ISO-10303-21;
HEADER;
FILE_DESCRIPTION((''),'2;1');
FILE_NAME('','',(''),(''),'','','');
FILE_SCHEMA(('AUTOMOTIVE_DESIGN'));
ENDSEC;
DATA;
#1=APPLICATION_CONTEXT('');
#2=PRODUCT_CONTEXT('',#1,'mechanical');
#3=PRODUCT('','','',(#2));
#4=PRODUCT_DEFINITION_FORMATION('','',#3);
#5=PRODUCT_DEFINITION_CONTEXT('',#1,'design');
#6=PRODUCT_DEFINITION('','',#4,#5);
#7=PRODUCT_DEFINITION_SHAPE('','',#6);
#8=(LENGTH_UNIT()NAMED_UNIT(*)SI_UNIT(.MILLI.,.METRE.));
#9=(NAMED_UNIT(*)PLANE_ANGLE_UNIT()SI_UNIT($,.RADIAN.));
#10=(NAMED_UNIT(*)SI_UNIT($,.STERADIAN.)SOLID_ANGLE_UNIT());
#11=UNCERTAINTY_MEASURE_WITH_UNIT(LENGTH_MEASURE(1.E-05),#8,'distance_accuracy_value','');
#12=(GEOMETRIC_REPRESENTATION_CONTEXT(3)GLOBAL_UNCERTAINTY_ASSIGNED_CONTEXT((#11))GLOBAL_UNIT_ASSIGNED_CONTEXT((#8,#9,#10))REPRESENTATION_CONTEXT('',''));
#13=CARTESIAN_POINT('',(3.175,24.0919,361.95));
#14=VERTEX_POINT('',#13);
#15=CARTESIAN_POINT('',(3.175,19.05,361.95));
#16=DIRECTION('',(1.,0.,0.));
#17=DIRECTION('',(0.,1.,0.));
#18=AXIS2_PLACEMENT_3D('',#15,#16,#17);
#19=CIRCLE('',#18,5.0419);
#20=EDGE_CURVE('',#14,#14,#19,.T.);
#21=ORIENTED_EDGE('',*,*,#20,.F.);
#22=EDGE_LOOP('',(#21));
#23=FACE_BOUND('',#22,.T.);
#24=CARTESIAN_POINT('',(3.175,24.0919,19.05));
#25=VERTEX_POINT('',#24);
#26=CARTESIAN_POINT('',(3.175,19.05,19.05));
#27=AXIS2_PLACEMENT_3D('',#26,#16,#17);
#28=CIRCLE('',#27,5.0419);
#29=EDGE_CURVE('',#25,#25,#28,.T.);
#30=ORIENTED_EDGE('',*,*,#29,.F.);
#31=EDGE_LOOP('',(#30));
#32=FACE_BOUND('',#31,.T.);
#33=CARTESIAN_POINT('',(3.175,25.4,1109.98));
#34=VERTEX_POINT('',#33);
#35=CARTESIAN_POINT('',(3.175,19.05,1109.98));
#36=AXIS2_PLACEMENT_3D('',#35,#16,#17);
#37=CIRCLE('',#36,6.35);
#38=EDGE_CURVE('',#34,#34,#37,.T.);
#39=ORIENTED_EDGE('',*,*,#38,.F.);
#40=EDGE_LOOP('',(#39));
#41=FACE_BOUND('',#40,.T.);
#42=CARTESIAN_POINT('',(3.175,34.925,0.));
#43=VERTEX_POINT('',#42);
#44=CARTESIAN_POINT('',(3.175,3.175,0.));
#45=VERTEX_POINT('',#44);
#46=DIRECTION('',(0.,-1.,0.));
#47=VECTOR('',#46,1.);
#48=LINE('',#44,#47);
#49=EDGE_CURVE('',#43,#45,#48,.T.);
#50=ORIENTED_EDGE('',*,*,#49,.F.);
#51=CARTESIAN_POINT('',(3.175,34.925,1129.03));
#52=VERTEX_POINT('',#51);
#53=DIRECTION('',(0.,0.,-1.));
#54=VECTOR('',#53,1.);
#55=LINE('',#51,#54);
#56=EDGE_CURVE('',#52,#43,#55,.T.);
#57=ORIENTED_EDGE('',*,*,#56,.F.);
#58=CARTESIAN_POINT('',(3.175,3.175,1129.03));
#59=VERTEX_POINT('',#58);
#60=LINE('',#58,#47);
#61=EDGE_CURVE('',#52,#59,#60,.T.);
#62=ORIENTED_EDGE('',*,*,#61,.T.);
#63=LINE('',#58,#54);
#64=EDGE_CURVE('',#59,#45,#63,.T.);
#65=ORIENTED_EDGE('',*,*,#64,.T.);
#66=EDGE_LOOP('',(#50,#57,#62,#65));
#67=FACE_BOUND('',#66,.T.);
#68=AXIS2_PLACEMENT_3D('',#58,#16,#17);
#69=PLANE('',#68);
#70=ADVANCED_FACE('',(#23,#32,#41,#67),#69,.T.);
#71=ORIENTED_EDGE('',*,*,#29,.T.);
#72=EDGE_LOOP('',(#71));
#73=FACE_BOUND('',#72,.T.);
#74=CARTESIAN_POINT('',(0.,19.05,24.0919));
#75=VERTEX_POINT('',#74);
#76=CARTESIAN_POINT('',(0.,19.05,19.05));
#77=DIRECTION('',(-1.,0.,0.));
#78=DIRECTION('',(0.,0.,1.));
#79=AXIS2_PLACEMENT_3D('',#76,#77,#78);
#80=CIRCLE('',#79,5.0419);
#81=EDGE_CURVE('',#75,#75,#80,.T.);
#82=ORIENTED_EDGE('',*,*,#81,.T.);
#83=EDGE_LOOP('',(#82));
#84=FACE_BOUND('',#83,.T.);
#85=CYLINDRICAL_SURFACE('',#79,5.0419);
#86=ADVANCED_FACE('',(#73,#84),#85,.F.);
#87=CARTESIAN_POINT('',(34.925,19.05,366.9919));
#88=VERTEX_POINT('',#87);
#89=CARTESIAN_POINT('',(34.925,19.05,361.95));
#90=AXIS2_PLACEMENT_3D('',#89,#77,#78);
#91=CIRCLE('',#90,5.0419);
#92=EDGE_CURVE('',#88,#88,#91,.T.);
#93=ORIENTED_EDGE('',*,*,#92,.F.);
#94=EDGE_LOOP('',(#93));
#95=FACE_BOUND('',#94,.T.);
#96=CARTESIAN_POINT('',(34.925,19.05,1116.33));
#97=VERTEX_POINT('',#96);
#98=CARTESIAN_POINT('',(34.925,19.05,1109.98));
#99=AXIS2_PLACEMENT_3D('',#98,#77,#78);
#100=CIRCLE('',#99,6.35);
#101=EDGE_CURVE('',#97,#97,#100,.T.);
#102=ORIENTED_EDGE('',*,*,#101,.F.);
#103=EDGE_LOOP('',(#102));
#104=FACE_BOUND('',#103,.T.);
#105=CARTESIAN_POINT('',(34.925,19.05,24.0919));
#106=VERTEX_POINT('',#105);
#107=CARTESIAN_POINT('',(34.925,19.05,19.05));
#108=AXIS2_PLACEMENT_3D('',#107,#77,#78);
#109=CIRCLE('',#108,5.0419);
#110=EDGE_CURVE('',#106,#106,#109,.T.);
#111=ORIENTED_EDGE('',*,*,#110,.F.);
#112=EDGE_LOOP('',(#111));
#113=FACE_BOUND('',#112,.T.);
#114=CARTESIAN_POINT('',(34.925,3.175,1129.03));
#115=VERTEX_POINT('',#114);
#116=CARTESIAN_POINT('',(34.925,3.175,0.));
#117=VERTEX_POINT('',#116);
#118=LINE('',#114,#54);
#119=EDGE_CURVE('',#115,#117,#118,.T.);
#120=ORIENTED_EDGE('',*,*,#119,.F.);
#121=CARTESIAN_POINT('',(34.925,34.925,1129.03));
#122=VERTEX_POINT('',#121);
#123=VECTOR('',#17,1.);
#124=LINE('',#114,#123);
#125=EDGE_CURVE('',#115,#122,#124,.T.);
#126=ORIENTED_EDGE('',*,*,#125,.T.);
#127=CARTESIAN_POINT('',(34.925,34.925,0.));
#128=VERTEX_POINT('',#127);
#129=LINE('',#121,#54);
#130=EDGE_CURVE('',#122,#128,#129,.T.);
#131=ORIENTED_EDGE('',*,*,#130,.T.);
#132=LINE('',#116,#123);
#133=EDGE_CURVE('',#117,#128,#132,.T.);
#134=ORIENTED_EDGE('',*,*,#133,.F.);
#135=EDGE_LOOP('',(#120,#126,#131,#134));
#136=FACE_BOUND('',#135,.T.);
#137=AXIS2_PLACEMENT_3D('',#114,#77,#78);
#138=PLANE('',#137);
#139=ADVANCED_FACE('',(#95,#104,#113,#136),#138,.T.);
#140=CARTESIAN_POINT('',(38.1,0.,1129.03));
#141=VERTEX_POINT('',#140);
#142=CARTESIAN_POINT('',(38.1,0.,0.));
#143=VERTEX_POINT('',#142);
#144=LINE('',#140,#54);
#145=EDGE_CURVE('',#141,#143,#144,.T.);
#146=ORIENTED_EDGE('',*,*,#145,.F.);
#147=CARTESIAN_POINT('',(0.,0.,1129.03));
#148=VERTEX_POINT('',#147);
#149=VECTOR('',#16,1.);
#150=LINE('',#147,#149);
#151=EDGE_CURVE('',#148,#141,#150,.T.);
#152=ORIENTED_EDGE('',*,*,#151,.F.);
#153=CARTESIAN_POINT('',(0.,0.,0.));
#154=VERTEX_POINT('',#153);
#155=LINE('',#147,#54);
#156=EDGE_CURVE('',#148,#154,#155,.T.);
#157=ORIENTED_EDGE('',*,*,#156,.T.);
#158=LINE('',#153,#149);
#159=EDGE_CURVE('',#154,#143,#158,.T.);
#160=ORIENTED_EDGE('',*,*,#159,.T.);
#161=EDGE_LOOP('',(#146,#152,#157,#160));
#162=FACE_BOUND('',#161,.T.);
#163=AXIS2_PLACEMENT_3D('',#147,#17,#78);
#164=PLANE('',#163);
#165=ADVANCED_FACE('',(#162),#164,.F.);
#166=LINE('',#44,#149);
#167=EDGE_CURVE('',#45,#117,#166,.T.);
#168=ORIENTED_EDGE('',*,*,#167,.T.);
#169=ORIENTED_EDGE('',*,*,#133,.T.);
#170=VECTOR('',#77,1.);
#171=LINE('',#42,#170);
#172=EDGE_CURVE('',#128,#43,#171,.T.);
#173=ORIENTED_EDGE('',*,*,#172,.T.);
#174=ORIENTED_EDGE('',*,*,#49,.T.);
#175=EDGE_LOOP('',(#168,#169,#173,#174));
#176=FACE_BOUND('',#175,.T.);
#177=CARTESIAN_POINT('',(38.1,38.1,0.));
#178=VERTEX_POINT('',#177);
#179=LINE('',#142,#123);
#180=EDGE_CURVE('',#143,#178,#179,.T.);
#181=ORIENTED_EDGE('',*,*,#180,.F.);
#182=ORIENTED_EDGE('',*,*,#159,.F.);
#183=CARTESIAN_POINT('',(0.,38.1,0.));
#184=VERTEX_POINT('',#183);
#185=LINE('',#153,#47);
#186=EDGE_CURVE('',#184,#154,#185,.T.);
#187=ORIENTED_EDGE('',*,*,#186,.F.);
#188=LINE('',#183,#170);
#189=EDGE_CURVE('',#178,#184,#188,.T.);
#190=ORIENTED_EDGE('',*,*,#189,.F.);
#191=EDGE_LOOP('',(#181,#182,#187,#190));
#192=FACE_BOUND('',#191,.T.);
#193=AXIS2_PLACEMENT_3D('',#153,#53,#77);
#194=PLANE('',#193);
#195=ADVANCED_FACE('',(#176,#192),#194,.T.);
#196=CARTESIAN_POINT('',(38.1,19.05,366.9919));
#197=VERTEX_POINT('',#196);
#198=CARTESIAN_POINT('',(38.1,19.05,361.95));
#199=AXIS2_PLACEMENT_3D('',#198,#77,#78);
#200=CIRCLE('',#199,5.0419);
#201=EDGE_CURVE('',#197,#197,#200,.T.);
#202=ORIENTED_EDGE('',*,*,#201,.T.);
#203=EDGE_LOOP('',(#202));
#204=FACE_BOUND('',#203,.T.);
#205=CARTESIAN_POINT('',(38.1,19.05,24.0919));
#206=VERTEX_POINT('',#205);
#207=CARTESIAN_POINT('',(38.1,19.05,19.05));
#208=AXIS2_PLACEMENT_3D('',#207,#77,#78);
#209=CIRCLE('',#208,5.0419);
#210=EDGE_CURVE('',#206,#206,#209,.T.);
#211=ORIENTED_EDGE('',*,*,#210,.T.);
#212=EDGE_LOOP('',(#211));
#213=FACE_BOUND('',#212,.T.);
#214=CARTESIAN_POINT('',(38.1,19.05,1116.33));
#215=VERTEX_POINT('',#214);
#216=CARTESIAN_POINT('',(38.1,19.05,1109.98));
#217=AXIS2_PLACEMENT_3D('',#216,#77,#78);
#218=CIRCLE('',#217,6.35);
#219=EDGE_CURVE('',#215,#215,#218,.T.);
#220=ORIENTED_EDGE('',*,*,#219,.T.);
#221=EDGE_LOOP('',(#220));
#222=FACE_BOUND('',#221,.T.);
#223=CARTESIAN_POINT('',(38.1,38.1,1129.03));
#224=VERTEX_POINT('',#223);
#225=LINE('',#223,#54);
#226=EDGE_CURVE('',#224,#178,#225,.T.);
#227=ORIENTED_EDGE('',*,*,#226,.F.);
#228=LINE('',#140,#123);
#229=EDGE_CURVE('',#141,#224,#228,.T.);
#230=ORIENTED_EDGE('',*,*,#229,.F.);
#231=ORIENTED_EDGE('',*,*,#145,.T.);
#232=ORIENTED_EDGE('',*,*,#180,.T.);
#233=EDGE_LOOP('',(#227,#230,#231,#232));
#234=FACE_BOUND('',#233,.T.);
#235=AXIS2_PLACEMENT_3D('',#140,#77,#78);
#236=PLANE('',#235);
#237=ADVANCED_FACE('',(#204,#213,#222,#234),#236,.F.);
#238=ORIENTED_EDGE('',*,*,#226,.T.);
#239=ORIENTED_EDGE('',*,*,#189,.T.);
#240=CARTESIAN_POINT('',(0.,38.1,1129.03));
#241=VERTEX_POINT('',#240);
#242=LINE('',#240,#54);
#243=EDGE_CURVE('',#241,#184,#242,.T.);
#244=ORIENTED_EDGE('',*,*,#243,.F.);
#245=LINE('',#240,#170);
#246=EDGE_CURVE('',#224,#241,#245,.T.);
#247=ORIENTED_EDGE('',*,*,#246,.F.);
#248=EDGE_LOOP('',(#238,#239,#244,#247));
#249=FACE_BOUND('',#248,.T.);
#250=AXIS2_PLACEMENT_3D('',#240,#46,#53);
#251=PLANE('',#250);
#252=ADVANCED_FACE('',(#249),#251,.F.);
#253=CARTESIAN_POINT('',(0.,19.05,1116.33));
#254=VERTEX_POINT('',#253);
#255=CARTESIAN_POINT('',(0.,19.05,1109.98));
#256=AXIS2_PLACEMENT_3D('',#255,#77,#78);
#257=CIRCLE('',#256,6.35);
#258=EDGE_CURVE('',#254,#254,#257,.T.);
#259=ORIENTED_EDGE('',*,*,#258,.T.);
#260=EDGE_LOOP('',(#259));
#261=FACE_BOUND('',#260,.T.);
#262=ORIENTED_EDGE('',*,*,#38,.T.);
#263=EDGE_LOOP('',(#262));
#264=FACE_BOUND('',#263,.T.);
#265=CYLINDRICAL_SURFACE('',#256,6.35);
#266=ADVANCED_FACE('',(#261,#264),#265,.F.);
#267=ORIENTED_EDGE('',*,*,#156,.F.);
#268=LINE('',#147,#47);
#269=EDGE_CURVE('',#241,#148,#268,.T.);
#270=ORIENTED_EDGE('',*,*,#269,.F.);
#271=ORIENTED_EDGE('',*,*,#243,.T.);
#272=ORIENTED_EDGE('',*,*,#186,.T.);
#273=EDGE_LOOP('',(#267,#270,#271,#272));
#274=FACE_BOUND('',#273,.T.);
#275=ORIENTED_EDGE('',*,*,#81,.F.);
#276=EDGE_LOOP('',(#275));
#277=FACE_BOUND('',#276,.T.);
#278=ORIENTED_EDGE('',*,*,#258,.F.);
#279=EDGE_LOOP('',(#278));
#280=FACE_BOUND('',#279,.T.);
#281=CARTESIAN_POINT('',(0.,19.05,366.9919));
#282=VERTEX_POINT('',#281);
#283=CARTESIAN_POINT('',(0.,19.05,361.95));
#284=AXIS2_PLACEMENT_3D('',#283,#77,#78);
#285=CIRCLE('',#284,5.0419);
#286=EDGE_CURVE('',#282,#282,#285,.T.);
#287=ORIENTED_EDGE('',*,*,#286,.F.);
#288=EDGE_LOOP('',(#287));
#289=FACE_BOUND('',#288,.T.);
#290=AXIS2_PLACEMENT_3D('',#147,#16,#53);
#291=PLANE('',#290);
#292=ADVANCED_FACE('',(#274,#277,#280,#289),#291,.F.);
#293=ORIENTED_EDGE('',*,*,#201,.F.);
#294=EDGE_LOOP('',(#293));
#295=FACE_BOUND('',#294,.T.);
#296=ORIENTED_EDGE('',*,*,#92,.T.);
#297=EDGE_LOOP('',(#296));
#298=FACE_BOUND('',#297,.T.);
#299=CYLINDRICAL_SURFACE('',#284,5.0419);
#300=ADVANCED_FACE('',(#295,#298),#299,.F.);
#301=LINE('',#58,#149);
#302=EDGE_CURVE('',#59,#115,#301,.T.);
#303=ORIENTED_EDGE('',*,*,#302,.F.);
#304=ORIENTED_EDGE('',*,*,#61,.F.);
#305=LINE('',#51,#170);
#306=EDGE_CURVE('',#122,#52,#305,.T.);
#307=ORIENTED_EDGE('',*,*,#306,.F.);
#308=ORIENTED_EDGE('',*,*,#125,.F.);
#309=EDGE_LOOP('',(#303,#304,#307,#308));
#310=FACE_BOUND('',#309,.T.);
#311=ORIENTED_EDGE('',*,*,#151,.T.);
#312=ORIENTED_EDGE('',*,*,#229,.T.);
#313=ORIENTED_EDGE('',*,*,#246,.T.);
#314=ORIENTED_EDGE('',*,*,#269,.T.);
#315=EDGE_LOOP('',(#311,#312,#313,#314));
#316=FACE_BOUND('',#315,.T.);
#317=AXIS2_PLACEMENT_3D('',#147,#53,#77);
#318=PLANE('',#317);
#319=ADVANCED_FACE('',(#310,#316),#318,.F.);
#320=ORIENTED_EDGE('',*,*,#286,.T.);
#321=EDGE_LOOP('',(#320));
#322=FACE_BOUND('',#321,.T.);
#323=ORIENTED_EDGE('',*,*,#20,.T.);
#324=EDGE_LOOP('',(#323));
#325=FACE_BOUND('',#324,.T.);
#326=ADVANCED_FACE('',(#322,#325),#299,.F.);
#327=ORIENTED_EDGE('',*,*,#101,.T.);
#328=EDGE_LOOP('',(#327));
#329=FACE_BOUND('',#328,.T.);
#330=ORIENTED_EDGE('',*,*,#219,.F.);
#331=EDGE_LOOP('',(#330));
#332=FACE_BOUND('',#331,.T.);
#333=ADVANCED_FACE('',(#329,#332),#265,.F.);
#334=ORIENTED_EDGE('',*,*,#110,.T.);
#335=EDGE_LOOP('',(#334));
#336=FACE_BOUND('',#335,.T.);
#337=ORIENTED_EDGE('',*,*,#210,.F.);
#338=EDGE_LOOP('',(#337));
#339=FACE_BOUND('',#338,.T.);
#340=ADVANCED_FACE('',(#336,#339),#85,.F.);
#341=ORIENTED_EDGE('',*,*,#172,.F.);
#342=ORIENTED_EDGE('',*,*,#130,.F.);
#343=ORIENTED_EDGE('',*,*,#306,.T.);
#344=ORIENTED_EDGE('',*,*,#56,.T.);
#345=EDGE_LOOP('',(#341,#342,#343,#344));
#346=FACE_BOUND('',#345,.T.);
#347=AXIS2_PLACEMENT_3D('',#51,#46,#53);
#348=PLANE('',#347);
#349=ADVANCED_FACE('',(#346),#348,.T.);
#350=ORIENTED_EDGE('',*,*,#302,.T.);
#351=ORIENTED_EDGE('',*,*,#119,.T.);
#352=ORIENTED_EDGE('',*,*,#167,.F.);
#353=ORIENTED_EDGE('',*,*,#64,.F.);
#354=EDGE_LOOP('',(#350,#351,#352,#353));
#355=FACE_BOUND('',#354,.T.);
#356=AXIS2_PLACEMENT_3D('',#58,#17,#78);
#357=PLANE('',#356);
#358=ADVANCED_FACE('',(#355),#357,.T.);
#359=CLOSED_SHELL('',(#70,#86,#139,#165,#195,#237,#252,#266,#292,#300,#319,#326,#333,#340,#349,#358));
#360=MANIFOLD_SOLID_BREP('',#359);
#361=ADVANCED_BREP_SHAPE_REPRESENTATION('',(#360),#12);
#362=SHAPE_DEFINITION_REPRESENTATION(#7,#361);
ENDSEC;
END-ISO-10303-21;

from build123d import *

# Parameters (mm, degrees)
SKETCH2_W                  = 38.1
SKETCH2_H                  = 38.1
SKETCH2_W_2                = 31.75
SKETCH2_H_2                = 31.75
BOSS_EXTRUDE1_DEPTH        = 1129.03
X_0_397_DIAMETER_HOLE1_D   = 10.0838
F_1_2_0_5_DIAMETER_HOLE1_D = 12.7


with BuildPart() as part:
    # Sketch2 → Boss-Extrude1 (new body)
    with BuildSketch(Plane.XY):
        with Locations((19.05, 19.05)):
            Rectangle(SKETCH2_W, SKETCH2_H)
        with Locations((19.05, 19.05)):
            Rectangle(SKETCH2_W_2, SKETCH2_H_2, mode=Mode.SUBTRACT)
    extrude(amount=BOSS_EXTRUDE1_DEPTH)

    # X (0.397) Diameter Hole1 (through all)
    with Locations(Plane.ZY):
        with Locations((19.05, 19.05), (361.95, 19.05)):
            Hole(X_0_397_DIAMETER_HOLE1_D / 2)

    # 1/2 (0.5) Diameter Hole1 (through all)
    with Locations(Plane.ZY):
        with Locations((1109.98, 19.05)):
            Hole(F_1_2_0_5_DIAMETER_HOLE1_D / 2)


solid = part.part
